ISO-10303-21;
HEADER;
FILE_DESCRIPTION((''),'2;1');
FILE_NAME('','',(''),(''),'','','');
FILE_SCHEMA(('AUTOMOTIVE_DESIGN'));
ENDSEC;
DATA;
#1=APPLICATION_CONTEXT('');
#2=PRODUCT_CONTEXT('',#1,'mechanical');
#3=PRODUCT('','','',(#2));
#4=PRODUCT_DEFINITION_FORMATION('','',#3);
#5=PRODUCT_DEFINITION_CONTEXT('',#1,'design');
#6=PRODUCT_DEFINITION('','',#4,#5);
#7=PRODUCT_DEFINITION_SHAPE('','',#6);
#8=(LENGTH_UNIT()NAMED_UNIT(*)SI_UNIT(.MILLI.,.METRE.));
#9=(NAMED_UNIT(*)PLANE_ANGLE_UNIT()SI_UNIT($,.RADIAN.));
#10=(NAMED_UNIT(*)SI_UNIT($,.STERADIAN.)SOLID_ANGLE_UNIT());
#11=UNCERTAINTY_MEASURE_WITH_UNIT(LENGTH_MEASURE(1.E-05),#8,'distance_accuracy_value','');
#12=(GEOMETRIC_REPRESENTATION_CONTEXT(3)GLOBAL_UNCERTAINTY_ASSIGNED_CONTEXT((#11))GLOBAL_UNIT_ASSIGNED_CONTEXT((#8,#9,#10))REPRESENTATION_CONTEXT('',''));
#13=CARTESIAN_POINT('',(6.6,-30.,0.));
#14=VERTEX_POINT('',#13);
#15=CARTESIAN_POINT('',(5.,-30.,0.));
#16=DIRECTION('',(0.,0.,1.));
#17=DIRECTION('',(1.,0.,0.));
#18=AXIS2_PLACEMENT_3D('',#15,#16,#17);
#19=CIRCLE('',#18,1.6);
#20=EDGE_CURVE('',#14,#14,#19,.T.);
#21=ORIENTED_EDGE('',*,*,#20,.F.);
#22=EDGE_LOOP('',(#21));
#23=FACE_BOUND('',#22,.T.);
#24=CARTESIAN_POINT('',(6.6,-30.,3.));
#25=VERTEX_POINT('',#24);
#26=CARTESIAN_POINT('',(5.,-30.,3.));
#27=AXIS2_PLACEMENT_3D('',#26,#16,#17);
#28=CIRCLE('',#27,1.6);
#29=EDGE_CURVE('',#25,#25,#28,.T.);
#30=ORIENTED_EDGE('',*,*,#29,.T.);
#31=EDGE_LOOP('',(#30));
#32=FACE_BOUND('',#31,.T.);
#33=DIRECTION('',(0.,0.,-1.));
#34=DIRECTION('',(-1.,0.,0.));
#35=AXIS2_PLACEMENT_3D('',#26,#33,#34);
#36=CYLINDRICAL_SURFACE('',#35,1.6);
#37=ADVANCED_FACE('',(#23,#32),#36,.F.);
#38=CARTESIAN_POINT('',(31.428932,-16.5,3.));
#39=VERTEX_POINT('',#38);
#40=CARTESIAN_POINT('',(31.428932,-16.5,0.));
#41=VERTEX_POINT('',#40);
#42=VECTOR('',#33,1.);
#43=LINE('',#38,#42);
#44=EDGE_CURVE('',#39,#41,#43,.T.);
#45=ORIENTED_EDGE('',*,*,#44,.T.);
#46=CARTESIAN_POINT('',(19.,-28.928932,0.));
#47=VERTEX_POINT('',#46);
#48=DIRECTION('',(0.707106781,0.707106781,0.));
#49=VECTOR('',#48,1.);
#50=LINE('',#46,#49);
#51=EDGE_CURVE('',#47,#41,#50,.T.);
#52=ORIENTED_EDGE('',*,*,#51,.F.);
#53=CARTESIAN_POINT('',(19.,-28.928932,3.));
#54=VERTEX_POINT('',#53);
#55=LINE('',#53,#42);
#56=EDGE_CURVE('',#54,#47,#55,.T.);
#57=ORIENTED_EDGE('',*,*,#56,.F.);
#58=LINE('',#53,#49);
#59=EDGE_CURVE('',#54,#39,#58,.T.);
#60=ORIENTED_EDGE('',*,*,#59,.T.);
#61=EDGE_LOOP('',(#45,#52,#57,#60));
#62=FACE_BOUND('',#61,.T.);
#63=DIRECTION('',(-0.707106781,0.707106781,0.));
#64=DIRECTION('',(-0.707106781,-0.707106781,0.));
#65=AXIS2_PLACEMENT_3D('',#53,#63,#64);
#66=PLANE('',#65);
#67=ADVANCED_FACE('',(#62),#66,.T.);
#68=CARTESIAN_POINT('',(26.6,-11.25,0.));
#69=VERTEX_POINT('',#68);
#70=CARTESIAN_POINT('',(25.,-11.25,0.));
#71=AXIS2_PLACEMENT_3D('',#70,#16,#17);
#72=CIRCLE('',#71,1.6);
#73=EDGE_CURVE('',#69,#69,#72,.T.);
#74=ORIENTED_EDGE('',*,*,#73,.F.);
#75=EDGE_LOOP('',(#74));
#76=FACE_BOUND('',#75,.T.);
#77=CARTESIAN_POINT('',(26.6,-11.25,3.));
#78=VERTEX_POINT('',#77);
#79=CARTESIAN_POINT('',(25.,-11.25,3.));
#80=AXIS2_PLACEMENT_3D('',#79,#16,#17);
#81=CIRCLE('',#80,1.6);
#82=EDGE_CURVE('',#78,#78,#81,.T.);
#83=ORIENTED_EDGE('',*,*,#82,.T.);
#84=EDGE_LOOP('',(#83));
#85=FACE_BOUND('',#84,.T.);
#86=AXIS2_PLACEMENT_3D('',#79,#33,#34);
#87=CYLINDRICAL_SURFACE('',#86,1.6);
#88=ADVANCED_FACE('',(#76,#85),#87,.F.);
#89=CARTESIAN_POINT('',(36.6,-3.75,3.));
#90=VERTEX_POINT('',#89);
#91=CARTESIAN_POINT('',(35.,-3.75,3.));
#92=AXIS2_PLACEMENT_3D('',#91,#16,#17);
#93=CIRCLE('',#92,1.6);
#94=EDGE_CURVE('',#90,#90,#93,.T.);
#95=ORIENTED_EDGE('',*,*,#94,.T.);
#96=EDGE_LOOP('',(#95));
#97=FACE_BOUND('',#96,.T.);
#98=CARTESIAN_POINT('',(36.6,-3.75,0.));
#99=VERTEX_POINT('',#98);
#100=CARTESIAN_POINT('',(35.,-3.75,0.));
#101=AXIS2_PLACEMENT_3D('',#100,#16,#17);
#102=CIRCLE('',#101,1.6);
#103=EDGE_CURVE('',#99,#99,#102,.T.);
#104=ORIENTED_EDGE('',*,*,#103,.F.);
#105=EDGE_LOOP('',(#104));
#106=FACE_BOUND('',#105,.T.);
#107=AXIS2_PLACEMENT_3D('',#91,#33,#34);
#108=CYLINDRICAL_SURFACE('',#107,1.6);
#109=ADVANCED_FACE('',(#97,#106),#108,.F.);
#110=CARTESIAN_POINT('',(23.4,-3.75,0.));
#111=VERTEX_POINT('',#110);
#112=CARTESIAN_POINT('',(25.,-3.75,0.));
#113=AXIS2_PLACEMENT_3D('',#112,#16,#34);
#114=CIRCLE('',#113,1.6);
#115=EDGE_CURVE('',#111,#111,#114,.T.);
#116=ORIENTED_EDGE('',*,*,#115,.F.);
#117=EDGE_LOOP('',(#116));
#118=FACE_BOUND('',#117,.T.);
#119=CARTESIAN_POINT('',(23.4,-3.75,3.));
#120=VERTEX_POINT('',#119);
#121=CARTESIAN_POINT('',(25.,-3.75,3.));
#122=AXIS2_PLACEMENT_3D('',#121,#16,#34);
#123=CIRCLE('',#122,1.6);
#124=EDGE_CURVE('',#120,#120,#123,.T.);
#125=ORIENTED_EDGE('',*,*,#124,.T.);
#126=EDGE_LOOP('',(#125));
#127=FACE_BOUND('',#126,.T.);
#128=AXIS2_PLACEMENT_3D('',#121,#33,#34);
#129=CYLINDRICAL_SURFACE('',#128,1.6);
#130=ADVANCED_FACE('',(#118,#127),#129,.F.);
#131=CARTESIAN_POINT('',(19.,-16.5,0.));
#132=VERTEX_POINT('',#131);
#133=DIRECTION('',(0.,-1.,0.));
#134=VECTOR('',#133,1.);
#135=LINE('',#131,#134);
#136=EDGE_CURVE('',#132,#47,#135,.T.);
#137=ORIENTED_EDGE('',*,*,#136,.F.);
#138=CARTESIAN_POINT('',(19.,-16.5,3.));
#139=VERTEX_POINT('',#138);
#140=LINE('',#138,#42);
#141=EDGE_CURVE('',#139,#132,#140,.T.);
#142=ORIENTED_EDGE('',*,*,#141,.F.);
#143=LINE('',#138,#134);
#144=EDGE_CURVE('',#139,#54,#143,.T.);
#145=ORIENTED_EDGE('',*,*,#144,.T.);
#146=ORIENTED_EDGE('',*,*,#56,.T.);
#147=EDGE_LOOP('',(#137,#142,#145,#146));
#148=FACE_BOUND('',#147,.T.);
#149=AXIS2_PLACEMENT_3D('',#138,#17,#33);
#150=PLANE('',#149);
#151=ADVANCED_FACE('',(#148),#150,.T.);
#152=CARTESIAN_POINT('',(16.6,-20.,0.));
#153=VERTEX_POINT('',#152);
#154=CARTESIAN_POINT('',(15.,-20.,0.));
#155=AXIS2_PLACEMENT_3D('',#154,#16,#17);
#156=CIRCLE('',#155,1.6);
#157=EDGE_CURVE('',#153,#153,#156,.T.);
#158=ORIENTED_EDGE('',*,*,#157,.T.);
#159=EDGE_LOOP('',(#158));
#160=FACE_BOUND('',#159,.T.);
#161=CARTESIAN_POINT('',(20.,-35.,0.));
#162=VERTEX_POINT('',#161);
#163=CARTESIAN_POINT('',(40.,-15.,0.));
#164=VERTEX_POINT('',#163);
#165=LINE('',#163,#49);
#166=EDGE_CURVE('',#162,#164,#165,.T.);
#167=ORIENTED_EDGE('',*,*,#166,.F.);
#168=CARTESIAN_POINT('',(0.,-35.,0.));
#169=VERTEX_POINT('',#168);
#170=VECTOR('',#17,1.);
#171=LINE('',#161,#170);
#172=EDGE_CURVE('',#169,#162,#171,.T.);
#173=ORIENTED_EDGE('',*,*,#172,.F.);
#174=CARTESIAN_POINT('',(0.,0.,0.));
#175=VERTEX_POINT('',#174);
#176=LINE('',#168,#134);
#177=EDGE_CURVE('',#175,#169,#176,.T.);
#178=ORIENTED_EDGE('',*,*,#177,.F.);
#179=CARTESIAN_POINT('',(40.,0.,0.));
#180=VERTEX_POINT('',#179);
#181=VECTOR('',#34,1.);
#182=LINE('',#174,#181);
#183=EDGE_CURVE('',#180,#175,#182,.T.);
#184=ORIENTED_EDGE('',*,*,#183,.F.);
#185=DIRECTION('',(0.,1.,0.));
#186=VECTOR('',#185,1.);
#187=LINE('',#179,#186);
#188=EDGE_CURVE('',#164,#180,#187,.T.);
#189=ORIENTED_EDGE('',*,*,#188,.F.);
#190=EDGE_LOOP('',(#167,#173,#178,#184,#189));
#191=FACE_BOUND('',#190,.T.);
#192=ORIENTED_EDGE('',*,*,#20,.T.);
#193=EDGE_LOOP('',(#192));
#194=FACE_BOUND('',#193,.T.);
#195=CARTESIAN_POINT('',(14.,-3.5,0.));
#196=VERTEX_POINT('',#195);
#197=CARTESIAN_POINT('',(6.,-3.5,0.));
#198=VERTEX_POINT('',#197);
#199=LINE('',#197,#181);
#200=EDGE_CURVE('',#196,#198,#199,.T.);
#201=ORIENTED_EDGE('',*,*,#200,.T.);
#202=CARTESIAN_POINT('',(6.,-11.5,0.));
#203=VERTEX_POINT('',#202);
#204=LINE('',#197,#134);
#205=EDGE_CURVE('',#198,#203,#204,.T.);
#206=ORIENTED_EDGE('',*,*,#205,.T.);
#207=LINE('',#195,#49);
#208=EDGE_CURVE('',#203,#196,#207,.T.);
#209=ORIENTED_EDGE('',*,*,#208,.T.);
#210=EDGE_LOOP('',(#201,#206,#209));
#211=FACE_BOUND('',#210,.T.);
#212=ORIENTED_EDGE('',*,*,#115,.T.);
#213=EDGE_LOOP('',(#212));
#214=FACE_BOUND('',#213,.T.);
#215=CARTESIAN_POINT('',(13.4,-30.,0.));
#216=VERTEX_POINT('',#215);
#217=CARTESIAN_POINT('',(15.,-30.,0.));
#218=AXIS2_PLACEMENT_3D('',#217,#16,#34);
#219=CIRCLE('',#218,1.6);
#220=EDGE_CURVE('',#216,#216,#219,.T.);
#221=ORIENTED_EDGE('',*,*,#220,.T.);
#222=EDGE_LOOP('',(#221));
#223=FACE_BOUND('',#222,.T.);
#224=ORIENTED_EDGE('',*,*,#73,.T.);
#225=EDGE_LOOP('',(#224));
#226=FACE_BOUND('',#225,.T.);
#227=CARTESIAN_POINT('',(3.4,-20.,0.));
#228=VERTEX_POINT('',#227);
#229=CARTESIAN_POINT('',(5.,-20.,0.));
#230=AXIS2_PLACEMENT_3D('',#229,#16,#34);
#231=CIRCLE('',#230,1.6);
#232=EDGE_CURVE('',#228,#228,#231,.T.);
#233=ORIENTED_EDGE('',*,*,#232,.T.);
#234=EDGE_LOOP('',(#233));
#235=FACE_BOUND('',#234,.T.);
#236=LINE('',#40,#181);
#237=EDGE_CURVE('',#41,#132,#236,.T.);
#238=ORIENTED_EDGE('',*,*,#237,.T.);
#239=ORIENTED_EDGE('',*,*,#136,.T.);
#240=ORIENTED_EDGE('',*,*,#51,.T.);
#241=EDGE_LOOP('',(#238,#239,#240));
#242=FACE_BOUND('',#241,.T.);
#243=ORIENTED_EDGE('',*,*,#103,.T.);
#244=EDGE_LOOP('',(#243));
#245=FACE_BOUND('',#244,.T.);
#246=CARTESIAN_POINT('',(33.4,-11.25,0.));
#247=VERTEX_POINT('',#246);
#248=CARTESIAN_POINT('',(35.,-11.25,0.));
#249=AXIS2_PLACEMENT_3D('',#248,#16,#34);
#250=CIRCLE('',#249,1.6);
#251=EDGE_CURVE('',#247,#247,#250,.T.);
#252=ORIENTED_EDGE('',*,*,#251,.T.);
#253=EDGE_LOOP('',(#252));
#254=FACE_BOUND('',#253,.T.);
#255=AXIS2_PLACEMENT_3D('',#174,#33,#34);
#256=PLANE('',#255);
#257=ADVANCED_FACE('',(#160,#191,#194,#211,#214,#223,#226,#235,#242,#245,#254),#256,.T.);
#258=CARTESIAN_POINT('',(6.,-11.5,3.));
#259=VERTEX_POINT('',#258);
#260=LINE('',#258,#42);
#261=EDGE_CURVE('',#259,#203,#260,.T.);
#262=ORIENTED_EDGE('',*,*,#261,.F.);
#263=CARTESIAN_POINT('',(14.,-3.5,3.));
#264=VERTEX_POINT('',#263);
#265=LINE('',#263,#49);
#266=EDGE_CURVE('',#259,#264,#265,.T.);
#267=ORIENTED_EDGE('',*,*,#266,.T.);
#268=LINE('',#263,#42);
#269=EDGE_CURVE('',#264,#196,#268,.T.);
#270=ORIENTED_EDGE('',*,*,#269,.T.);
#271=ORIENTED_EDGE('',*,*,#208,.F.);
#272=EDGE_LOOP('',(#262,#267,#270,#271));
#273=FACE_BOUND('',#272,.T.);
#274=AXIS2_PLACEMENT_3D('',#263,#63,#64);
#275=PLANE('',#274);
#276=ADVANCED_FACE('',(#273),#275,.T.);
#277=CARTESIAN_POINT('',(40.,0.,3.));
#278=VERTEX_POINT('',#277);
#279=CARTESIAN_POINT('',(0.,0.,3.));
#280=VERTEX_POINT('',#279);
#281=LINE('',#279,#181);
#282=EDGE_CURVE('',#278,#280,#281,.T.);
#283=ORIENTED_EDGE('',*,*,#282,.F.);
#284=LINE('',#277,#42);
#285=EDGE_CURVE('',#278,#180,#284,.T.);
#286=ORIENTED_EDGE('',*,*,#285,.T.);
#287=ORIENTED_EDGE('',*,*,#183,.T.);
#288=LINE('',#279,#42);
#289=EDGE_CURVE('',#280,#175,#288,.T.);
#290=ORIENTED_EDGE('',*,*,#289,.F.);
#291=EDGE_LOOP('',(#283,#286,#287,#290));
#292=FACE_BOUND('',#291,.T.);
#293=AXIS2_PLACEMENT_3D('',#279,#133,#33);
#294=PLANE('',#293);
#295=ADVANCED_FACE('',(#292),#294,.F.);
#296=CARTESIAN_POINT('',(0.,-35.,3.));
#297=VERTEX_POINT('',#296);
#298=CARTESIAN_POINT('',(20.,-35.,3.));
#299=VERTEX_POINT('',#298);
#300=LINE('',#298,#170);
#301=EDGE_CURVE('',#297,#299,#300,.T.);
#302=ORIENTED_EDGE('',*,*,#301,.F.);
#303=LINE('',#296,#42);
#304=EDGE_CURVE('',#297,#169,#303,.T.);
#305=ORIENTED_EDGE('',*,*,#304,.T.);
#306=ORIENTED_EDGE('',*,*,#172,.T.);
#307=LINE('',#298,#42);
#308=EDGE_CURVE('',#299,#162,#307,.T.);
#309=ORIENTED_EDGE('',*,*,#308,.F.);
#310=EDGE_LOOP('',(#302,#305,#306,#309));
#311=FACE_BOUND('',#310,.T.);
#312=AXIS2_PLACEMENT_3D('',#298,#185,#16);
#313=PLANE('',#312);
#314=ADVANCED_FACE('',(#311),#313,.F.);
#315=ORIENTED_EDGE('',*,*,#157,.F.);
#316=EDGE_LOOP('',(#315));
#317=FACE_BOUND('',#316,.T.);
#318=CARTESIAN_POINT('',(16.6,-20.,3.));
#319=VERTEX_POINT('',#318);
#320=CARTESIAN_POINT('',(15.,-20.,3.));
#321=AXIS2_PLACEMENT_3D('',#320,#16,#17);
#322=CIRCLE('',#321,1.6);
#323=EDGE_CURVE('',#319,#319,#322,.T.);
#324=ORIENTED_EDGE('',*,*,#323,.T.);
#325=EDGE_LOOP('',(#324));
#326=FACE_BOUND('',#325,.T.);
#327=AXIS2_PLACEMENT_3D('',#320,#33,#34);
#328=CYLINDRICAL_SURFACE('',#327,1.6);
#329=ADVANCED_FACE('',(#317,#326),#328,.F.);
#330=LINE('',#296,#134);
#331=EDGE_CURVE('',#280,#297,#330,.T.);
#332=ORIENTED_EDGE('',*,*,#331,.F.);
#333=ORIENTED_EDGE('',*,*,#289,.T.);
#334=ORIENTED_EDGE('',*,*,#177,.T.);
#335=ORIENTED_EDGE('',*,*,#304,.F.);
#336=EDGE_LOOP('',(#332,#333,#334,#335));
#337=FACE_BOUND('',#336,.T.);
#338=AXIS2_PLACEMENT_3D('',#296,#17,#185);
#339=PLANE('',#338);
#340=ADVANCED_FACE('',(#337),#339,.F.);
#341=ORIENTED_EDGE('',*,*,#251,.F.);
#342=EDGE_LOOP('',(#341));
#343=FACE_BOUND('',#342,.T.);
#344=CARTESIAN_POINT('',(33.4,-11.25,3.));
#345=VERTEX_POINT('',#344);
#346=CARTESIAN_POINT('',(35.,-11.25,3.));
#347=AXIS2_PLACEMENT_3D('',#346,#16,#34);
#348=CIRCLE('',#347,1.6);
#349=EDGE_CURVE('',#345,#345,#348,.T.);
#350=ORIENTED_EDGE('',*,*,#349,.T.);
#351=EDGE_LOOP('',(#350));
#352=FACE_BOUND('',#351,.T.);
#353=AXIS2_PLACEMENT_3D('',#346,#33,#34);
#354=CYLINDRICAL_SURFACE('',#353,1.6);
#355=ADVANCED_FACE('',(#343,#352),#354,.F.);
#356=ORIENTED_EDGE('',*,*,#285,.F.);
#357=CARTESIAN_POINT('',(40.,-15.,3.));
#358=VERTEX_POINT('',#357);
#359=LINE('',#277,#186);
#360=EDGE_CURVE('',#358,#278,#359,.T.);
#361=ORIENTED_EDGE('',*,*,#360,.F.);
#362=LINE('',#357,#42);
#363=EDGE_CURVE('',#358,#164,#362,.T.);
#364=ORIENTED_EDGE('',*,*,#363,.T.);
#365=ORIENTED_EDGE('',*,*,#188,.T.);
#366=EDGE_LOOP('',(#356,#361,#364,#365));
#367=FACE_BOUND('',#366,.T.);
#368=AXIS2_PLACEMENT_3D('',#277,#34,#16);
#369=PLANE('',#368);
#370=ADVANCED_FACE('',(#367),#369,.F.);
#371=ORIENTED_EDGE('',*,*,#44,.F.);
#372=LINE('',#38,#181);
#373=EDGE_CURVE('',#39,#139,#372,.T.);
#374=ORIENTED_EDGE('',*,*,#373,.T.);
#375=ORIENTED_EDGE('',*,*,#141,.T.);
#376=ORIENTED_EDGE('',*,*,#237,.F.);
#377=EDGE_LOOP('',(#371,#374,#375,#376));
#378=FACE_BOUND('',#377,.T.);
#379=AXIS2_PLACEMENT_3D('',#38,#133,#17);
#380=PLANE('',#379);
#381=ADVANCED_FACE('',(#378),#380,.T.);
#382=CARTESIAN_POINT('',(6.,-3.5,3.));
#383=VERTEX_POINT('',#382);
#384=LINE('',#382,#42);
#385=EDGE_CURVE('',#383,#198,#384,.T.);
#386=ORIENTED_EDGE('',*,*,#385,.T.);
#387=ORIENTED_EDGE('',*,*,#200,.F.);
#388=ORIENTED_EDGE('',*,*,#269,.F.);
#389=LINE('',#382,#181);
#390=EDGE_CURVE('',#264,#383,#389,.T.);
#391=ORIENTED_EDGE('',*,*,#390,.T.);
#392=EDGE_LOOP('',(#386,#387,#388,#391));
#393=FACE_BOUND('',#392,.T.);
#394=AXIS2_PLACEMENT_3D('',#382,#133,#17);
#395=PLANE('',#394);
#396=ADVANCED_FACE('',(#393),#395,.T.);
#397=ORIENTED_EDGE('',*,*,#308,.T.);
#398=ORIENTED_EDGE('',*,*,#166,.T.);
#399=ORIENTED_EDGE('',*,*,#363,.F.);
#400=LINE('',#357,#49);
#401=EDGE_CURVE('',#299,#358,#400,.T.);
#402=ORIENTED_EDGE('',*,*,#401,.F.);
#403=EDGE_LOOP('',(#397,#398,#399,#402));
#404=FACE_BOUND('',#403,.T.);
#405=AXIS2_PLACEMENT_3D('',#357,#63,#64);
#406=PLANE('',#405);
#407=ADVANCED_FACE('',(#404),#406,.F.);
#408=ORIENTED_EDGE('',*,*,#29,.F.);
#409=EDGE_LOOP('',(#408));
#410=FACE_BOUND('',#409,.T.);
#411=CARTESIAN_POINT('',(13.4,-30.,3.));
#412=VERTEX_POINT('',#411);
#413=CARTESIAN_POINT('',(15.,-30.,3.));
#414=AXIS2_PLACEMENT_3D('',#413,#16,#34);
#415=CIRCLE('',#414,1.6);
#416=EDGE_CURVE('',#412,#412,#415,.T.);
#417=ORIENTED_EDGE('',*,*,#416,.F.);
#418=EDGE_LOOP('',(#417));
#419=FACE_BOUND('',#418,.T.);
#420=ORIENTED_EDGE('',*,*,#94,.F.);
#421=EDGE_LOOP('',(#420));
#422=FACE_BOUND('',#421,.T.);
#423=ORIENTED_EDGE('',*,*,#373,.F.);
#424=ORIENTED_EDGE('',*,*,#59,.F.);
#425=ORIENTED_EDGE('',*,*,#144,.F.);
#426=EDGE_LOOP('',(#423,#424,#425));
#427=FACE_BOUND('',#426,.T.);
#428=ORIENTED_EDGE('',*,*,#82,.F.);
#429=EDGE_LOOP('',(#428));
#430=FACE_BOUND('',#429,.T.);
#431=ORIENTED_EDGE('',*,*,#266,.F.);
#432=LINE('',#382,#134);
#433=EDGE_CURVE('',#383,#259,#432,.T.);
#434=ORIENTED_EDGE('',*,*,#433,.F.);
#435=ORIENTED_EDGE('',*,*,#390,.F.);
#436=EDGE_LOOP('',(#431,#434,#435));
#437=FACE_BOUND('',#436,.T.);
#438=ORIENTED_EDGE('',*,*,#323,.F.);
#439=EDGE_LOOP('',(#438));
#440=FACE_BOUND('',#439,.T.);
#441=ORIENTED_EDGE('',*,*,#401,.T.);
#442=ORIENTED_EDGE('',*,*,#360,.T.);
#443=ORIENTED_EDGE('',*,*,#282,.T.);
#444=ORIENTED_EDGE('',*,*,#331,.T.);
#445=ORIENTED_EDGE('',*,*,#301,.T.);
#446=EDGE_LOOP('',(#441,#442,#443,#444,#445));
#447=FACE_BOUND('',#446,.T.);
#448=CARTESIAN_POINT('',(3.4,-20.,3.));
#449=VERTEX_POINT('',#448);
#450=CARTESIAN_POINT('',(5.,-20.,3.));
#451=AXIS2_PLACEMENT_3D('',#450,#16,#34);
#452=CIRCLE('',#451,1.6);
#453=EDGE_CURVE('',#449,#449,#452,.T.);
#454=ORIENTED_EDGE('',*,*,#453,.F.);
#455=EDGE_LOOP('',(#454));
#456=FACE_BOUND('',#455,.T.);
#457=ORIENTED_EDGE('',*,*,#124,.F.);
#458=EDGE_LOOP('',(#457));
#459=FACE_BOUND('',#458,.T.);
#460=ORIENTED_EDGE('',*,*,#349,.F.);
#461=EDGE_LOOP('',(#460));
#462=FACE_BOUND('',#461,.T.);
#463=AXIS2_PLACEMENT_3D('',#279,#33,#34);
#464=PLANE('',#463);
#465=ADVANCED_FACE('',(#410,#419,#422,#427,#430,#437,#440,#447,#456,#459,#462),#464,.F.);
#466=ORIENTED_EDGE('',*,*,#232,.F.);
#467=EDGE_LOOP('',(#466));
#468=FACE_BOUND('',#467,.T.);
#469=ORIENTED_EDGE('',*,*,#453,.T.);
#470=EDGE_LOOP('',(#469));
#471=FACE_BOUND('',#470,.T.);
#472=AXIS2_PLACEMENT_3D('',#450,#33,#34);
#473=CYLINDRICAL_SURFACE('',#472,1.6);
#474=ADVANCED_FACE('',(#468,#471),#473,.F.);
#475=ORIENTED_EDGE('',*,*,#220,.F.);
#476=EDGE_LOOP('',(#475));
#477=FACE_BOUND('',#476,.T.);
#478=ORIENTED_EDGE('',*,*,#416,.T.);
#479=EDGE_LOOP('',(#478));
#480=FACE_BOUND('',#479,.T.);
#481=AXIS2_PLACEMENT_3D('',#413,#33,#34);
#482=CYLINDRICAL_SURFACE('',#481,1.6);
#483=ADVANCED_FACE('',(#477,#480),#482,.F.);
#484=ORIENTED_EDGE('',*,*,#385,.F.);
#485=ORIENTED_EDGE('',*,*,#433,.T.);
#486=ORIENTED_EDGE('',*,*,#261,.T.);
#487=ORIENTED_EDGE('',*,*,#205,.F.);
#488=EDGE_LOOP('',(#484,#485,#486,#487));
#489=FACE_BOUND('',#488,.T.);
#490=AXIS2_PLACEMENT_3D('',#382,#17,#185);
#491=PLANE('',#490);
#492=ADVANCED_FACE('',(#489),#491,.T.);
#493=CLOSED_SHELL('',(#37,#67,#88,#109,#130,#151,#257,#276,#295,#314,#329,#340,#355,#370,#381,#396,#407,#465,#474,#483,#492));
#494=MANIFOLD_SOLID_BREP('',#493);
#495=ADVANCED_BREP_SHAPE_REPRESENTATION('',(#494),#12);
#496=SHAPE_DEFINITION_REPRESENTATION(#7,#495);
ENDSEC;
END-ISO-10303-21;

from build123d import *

# Parameters (mm, degrees)
SKETCH_1_R      = 1.6
EXTRUDE_1_DEPTH = 3


with BuildPart() as part:
    # 草图1 → 凸台-拉伸1 (new body)
    with BuildSketch(Plane.XY):
        Polygon((0, 0), (40, 0), (40, -15), (20, -35), (0, -35), align=None)
        with Locations((5, -30)):
            Circle(SKETCH_1_R, mode=Mode.SUBTRACT)
        with Locations(Location((15, -30, 0), (0, 0, 180))):
            Circle(SKETCH_1_R, mode=Mode.SUBTRACT)
        with Locations((15, -20)):
            Circle(SKETCH_1_R, mode=Mode.SUBTRACT)
        with Locations(Location((5, -20, 0), (0, 0, 180))):
            Circle(SKETCH_1_R, mode=Mode.SUBTRACT)
        with Locations((35, -3.75)):
            Circle(SKETCH_1_R, mode=Mode.SUBTRACT)
        with Locations(Location((35, -11.25, 0), (0, 0, 180))):
            Circle(SKETCH_1_R, mode=Mode.SUBTRACT)
        with Locations((25, -11.25)):
            Circle(SKETCH_1_R, mode=Mode.SUBTRACT)
        with Locations(Location((25, -3.75, 0), (0, 0, 180))):
            Circle(SKETCH_1_R, mode=Mode.SUBTRACT)
        Polygon((19, -16.5), (19, -28.928932188), (31.428932188, -16.5), align=None, mode=Mode.SUBTRACT)
        Polygon((6, -3.5), (14, -3.5), (6, -11.5), align=None, mode=Mode.SUBTRACT)
    extrude(amount=EXTRUDE_1_DEPTH)


solid = part.part
